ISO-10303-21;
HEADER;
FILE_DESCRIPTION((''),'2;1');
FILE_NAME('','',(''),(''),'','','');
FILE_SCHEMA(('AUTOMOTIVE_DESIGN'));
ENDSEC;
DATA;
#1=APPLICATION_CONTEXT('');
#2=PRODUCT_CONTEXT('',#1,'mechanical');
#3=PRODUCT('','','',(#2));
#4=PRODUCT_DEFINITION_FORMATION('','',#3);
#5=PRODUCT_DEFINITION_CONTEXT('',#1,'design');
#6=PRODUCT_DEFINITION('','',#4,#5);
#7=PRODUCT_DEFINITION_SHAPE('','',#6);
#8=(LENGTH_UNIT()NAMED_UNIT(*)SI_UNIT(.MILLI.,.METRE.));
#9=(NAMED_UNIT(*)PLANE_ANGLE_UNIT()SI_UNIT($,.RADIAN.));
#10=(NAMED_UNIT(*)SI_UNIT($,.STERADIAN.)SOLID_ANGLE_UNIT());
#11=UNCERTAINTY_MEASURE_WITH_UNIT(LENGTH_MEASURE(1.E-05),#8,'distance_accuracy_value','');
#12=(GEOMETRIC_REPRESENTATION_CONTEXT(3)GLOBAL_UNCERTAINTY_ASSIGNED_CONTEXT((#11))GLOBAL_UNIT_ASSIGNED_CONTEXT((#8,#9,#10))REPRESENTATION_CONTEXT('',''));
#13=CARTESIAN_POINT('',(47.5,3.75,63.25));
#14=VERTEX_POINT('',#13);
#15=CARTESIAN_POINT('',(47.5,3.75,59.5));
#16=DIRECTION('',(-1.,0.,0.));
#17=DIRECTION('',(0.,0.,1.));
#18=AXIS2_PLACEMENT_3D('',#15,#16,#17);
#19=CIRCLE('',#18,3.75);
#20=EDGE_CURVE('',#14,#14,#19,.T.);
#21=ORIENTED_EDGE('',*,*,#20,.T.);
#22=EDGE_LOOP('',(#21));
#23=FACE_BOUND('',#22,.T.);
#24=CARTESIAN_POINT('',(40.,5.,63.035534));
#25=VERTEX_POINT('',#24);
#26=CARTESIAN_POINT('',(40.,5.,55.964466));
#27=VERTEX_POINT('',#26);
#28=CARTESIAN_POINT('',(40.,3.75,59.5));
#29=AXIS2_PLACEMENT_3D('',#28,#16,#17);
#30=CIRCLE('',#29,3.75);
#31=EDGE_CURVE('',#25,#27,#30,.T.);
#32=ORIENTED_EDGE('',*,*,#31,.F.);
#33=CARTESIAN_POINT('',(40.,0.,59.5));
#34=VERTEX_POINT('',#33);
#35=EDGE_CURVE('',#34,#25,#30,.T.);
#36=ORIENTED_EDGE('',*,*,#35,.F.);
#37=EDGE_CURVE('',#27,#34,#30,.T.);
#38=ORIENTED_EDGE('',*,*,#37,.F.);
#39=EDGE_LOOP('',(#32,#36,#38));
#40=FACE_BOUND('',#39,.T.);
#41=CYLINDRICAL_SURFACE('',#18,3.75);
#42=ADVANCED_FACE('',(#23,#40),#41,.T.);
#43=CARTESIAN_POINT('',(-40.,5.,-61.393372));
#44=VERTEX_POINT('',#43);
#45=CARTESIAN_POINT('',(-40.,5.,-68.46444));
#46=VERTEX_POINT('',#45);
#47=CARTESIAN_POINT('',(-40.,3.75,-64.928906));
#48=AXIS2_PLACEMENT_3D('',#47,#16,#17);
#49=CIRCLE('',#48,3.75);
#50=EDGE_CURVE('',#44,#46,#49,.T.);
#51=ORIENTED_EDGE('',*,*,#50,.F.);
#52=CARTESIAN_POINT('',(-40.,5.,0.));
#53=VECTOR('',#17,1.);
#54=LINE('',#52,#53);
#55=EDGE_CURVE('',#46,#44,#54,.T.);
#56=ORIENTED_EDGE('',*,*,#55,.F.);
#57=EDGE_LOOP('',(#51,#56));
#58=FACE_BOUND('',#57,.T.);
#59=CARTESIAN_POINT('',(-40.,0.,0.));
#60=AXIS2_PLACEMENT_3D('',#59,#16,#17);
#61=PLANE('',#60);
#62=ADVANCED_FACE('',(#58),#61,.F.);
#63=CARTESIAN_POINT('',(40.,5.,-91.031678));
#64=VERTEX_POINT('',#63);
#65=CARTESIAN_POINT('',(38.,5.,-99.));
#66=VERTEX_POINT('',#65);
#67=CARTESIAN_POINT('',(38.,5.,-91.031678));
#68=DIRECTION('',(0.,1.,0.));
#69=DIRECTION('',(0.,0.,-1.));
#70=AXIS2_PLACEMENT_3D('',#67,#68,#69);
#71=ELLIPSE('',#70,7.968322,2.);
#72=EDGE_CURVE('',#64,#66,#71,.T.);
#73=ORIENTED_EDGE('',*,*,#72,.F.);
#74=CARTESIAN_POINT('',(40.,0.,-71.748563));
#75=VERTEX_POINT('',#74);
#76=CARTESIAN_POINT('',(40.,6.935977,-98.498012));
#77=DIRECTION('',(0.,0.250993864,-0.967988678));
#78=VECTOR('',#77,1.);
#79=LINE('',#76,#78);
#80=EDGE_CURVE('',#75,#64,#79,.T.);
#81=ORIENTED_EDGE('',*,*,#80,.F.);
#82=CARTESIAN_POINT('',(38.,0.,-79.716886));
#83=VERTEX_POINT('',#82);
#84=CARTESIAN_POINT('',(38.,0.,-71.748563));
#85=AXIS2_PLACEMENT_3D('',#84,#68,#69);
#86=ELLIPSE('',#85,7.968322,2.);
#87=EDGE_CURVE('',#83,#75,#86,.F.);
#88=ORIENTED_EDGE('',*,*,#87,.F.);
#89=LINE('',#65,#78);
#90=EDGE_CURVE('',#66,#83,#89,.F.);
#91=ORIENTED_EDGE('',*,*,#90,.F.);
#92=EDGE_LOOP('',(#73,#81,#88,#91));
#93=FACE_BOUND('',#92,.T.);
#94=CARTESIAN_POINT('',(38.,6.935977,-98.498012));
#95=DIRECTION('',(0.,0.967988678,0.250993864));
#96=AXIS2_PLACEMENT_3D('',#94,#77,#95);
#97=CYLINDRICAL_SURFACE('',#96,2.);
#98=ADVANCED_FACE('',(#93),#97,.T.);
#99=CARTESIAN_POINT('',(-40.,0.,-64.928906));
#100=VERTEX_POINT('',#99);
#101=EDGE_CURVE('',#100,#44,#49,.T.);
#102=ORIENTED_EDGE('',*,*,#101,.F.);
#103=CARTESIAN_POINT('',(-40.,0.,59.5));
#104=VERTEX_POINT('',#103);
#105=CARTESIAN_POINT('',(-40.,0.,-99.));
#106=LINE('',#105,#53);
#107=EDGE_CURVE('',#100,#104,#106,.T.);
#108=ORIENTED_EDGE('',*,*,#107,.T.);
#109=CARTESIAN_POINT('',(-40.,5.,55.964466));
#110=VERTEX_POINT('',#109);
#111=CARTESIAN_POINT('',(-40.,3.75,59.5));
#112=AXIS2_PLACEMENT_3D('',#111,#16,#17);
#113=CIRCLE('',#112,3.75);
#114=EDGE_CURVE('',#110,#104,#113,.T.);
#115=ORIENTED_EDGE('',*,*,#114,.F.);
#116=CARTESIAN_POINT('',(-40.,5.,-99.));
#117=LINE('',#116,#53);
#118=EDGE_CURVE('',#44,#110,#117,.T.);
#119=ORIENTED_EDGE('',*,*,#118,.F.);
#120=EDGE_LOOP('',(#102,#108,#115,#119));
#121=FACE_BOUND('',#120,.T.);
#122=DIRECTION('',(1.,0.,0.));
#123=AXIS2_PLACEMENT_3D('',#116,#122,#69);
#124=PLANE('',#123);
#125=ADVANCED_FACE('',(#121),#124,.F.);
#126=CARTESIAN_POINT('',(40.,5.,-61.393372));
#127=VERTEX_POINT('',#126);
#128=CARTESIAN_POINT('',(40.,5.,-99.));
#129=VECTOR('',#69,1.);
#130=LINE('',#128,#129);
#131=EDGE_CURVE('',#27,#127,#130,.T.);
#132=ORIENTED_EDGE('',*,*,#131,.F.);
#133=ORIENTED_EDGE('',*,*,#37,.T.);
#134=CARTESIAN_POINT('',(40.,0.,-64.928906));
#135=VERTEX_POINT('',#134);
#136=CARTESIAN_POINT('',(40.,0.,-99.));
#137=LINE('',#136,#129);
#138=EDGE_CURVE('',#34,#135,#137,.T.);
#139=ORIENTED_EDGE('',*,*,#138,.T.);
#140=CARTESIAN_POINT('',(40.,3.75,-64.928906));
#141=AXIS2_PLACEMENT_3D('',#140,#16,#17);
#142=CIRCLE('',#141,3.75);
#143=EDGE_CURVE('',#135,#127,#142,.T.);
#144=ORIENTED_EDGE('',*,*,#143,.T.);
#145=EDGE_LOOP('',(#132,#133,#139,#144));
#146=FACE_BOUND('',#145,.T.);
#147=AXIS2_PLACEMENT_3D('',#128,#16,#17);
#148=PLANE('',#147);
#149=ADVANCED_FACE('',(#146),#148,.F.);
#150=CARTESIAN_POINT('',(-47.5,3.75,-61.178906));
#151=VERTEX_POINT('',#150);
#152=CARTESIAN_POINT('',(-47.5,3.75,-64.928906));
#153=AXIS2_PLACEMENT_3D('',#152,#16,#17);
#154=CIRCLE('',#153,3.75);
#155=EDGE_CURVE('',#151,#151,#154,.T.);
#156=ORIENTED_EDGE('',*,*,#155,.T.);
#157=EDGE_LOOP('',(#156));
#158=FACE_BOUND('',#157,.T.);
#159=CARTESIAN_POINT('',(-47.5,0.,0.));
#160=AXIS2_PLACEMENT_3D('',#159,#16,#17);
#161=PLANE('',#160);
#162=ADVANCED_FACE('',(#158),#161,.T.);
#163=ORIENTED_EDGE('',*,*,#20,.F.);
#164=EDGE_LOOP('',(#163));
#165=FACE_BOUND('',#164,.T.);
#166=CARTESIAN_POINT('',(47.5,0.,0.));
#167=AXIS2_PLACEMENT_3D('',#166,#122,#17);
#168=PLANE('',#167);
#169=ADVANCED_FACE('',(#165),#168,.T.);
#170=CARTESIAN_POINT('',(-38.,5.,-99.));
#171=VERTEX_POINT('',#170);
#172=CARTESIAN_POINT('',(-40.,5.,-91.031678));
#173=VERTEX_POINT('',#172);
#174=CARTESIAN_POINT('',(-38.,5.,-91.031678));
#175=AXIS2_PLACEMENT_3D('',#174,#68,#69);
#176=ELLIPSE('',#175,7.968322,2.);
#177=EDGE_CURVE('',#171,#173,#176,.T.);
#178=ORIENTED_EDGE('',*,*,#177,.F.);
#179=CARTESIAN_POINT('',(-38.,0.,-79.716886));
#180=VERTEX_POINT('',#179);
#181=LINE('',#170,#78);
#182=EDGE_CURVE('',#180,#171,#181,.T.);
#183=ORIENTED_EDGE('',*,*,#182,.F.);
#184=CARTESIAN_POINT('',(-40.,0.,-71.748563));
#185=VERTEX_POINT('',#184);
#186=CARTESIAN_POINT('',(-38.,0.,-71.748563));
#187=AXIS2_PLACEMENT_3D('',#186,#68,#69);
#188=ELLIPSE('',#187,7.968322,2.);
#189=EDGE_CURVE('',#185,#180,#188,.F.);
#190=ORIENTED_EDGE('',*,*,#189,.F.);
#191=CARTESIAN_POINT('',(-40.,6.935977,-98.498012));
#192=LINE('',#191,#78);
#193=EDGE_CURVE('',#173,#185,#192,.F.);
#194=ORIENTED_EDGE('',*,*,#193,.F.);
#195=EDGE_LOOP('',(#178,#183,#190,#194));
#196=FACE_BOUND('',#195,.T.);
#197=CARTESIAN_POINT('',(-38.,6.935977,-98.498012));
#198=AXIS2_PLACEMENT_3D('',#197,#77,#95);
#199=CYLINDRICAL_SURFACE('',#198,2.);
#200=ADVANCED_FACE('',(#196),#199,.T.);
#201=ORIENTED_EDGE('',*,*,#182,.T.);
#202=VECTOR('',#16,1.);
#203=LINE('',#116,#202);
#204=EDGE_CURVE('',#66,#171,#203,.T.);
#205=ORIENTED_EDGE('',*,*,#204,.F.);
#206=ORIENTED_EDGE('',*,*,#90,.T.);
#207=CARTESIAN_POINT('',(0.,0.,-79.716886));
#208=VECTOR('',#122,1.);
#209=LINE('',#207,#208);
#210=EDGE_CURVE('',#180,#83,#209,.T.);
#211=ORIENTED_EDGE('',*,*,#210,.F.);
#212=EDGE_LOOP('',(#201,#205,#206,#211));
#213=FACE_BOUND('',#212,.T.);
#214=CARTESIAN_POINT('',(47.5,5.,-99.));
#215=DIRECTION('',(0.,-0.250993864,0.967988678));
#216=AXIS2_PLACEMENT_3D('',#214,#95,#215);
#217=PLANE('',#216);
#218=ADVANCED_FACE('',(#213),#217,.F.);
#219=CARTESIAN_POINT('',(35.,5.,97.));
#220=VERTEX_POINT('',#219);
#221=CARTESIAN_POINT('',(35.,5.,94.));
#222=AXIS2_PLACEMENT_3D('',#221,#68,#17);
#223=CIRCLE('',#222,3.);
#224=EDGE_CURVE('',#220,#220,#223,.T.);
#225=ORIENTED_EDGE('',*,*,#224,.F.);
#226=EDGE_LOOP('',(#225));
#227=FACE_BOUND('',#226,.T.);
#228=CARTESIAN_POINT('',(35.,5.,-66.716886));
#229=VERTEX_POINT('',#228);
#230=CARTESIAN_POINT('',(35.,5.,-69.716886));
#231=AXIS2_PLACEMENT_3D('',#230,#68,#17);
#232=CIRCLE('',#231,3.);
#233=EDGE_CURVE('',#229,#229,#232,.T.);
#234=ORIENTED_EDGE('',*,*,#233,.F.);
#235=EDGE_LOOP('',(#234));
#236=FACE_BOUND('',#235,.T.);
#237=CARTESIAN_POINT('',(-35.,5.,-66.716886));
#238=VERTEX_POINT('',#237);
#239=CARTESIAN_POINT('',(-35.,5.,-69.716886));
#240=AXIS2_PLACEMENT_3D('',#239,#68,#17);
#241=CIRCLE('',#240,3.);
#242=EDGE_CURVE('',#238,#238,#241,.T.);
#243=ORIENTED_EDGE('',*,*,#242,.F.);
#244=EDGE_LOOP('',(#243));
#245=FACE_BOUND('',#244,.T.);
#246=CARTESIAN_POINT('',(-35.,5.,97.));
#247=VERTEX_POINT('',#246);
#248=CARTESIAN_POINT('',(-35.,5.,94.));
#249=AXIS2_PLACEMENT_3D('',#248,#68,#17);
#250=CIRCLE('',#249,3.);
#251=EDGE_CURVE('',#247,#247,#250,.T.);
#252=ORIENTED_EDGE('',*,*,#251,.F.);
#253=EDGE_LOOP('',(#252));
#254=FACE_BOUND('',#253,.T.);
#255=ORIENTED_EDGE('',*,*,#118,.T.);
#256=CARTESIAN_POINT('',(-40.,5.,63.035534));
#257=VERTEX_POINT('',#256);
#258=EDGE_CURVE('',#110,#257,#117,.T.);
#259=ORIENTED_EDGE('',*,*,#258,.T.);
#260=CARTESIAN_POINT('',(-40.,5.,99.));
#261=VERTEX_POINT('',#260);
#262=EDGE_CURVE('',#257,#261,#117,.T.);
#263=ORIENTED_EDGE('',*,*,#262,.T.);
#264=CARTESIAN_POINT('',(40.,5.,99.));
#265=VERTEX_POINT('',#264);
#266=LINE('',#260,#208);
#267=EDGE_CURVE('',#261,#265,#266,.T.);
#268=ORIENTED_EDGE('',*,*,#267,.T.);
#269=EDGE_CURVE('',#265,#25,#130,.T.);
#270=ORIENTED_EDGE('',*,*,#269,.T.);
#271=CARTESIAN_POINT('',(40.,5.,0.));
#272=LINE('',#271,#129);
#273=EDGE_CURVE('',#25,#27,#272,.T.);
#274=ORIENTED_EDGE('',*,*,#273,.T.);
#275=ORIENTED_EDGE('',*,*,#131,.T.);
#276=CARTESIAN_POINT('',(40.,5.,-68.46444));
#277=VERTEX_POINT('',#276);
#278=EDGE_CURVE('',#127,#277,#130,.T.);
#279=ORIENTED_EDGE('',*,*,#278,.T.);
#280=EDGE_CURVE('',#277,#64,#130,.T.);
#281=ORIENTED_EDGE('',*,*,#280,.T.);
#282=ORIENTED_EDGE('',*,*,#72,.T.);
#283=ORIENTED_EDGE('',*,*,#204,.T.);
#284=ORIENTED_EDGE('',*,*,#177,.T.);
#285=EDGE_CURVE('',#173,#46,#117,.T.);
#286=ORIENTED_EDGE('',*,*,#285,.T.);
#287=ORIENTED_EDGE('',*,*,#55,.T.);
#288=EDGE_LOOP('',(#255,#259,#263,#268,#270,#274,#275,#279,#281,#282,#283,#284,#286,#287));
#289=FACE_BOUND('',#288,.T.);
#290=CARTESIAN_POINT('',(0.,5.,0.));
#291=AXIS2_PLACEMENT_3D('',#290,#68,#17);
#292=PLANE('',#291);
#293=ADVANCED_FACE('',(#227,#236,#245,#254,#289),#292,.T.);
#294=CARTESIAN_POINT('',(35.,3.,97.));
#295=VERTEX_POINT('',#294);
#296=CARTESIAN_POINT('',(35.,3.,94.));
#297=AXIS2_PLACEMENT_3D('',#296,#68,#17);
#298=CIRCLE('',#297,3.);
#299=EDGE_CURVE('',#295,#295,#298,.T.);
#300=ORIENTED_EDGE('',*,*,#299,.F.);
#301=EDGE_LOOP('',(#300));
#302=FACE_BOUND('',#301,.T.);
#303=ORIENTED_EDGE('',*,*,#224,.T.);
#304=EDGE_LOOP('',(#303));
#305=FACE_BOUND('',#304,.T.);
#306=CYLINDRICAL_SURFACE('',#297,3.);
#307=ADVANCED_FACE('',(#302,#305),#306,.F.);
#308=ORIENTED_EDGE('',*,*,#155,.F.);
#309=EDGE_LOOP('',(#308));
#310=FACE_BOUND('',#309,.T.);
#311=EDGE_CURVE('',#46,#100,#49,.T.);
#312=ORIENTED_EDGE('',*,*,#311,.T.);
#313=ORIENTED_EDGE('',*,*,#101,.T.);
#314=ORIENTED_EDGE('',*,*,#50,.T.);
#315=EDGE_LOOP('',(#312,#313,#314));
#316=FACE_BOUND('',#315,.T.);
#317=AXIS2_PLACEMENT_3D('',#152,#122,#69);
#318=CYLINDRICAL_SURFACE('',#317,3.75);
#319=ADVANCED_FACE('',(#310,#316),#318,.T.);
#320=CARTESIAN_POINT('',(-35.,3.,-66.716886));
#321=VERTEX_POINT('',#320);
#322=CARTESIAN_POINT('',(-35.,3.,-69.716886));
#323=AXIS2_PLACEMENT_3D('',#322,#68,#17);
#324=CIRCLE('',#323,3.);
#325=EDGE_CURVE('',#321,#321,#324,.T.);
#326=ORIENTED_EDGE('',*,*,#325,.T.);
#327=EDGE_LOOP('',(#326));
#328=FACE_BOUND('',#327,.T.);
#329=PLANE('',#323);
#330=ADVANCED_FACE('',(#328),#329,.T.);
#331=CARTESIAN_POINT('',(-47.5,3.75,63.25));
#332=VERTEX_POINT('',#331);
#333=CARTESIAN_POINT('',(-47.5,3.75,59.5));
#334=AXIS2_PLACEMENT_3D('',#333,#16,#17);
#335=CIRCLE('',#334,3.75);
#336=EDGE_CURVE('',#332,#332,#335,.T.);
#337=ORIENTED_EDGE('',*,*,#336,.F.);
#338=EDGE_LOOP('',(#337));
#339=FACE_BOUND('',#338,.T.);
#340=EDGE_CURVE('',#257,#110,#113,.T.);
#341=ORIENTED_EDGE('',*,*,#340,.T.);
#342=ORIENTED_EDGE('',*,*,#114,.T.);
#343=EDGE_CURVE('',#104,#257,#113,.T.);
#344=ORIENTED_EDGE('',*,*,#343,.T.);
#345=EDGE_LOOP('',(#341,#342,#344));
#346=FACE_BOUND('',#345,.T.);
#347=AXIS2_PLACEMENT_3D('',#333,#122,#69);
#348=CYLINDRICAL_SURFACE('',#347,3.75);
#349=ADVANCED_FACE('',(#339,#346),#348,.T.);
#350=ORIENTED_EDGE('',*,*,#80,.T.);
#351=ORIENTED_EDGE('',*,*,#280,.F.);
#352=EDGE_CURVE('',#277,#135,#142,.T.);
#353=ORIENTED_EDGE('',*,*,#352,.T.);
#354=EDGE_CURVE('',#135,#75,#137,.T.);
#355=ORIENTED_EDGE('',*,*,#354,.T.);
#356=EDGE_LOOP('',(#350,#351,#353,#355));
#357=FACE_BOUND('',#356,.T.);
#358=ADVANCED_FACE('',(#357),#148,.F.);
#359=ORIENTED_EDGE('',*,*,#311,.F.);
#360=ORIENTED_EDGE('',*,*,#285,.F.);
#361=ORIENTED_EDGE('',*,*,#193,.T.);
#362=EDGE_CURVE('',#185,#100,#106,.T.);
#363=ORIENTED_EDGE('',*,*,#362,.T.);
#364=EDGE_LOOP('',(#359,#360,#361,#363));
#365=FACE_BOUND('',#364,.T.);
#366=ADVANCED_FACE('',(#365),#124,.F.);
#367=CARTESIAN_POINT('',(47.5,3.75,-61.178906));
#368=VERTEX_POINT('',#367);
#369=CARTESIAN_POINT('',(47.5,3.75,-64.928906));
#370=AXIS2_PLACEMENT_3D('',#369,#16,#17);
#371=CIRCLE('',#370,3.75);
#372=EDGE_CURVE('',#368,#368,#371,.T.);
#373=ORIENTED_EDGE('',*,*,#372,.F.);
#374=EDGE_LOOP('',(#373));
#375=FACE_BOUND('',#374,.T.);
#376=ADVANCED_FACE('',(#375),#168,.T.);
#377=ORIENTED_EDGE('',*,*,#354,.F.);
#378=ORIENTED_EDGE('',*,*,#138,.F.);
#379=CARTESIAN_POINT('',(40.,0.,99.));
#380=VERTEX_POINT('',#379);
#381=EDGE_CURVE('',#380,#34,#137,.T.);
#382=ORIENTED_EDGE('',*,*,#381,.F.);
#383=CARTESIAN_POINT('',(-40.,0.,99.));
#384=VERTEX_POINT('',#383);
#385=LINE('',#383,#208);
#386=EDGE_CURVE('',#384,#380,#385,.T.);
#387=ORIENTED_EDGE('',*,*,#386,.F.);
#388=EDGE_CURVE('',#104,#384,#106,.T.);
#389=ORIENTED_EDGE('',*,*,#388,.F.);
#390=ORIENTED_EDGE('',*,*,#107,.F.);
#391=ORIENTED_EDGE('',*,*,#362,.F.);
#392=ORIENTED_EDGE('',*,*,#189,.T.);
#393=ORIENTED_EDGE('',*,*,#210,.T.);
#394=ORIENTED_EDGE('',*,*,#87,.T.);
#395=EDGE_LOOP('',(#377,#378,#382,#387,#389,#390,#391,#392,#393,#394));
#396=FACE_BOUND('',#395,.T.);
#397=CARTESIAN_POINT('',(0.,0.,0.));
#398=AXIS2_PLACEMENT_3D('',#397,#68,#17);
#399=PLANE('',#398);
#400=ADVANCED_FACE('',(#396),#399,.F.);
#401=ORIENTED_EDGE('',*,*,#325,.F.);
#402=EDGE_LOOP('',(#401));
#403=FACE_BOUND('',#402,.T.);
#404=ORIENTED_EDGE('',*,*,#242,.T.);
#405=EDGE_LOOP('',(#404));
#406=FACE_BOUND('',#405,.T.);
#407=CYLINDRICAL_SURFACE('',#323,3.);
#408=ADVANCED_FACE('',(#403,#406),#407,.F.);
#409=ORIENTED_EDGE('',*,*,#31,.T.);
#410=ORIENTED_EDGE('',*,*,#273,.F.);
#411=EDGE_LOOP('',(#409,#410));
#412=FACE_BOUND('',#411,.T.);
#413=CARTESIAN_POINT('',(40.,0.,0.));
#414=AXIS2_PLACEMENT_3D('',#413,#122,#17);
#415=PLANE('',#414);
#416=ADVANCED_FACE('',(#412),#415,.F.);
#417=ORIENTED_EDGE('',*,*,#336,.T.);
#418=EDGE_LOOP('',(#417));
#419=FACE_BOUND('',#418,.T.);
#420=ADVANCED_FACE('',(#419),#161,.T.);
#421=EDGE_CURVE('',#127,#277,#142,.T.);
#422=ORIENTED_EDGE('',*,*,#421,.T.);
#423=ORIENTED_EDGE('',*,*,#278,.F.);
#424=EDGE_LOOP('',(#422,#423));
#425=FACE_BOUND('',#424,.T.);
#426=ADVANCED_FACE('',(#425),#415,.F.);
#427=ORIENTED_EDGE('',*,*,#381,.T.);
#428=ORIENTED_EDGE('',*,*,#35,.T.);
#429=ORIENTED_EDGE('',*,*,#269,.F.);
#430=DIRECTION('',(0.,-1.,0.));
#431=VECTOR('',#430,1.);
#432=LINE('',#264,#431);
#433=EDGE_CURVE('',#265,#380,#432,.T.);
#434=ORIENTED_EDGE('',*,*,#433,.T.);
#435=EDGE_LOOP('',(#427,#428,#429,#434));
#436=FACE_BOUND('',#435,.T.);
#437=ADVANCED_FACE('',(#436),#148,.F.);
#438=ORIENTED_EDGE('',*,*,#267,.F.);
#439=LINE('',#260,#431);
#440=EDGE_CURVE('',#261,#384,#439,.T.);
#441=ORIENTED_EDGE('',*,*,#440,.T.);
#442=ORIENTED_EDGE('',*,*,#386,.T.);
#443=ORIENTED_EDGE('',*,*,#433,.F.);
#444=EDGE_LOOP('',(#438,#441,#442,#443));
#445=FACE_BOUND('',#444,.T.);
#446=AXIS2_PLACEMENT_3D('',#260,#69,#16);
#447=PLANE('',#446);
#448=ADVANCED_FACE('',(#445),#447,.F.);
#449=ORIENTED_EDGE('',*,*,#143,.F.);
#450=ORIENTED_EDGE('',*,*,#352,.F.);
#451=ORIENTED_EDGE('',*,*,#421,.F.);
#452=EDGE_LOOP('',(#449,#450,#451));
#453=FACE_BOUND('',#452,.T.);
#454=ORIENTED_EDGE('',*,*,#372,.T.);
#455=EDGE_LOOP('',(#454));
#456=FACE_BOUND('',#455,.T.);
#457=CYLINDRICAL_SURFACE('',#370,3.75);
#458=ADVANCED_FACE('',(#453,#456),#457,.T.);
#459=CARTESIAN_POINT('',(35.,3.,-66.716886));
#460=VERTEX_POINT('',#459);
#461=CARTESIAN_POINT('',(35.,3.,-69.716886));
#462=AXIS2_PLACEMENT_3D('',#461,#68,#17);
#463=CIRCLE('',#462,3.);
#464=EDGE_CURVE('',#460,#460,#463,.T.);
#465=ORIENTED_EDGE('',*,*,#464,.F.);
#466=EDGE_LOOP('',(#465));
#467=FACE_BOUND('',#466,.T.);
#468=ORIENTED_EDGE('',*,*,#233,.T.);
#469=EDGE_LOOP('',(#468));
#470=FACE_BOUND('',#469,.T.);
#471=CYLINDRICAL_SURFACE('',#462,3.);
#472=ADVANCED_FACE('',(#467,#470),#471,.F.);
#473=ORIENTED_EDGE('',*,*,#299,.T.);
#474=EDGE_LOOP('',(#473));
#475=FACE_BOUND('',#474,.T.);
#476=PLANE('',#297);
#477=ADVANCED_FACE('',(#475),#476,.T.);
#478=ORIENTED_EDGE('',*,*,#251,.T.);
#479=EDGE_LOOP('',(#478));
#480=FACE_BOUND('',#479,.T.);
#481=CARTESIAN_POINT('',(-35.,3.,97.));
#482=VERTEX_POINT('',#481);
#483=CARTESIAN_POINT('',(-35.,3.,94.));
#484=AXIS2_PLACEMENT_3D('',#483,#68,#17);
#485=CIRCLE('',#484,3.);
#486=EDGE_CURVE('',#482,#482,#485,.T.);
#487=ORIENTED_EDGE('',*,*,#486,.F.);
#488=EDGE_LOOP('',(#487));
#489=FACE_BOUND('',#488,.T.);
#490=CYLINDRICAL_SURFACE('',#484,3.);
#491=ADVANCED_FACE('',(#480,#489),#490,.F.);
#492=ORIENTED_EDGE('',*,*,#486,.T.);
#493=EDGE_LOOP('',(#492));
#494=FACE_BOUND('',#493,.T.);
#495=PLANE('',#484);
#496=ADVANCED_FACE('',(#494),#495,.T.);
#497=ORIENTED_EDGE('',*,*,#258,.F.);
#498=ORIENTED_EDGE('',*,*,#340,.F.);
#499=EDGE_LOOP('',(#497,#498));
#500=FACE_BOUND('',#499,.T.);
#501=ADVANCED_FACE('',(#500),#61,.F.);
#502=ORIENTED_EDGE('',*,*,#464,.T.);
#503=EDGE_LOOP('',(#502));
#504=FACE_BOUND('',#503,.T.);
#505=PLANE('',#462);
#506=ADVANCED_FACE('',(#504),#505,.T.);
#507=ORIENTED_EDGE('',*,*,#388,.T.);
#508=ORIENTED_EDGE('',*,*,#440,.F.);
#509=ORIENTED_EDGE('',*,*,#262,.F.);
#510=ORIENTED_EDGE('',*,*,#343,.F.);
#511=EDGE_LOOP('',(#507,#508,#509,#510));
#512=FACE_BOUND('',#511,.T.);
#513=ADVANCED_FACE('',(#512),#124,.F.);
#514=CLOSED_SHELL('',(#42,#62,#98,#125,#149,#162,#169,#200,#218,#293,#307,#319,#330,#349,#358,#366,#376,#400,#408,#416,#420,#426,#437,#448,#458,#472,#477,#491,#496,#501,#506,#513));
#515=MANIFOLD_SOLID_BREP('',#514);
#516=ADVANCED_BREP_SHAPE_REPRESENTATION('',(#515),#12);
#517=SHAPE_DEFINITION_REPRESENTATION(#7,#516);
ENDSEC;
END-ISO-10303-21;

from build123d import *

# Parameters (mm, degrees)
SKETCH1_W           = 80
SKETCH1_H           = 198
BOSS_EXTRUDE1_DEPTH = 5
SKETCH2_R           = 3.75
BOSS_EXTRUDE2_DEPTH = 7.5
CUT_EXTRUDE1_DEPTH  = 88.5
FILLET2_R           = 2
CUT_EXTRUDE2_START  = -5
SKETCH4_R           = 3
CUT_EXTRUDE2_DEPTH  = 2


with BuildPart() as part:
    # Sketch1 → Boss-Extrude1 (new body)
    with BuildSketch(Plane(origin=(0, 0, 0), x_dir=(1, 0, 0), z_dir=(0, 1, 0))):
        Rectangle(SKETCH1_W, SKETCH1_H)
    extrude(amount=BOSS_EXTRUDE1_DEPTH)

    # Sketch2 → Boss-Extrude2 (add)
    with BuildSketch(Plane.ZY.offset(40)):
        with Locations((-64.928905814, 3.75)):
            Circle(SKETCH2_R)
        with Locations((59.5, 3.75)):
            Circle(SKETCH2_R)
    boss_extrude2 = extrude(amount=BOSS_EXTRUDE2_DEPTH)

    # Mirror1: Boss-Extrude2 across plane
    add(boss_extrude2.mirror(Plane(origin=(0, 0, 0), x_dir=(0, 0, 1), z_dir=(1, 0, 0))))

    # Sketch3 → Cut-Extrude1 (cut, through all)
    with BuildSketch(Plane.ZY.offset(40)):
        Polygon((-99, 5), (-72.932513489, -1.759148434), (-103.799311702, -1.759148434), align=None)
    extrude(amount=-CUT_EXTRUDE1_DEPTH, mode=Mode.SUBTRACT)

    # Fillet2
    fillet2_edges = [part.edges().sort_by_distance(p)[0] for p in [
        (40, 2.5, -89.358442796),
        (-40, 2.5, -89.358442796),
    ]]
    fillet(fillet2_edges, radius=FILLET2_R)

    # Sketch4 → Cut-Extrude2 (cut)
    with BuildSketch(Plane.XZ.offset(CUT_EXTRUDE2_START)):
        with Locations((-35, -69.716885591)):
            Circle(SKETCH4_R)
        with Locations((35, -69.716885591)):
            Circle(SKETCH4_R)
        with Locations((-35, 94)):
            Circle(SKETCH4_R)
        with Locations((35, 94)):
            Circle(SKETCH4_R)
    extrude(amount=CUT_EXTRUDE2_DEPTH, mode=Mode.SUBTRACT)


solid = part.part
